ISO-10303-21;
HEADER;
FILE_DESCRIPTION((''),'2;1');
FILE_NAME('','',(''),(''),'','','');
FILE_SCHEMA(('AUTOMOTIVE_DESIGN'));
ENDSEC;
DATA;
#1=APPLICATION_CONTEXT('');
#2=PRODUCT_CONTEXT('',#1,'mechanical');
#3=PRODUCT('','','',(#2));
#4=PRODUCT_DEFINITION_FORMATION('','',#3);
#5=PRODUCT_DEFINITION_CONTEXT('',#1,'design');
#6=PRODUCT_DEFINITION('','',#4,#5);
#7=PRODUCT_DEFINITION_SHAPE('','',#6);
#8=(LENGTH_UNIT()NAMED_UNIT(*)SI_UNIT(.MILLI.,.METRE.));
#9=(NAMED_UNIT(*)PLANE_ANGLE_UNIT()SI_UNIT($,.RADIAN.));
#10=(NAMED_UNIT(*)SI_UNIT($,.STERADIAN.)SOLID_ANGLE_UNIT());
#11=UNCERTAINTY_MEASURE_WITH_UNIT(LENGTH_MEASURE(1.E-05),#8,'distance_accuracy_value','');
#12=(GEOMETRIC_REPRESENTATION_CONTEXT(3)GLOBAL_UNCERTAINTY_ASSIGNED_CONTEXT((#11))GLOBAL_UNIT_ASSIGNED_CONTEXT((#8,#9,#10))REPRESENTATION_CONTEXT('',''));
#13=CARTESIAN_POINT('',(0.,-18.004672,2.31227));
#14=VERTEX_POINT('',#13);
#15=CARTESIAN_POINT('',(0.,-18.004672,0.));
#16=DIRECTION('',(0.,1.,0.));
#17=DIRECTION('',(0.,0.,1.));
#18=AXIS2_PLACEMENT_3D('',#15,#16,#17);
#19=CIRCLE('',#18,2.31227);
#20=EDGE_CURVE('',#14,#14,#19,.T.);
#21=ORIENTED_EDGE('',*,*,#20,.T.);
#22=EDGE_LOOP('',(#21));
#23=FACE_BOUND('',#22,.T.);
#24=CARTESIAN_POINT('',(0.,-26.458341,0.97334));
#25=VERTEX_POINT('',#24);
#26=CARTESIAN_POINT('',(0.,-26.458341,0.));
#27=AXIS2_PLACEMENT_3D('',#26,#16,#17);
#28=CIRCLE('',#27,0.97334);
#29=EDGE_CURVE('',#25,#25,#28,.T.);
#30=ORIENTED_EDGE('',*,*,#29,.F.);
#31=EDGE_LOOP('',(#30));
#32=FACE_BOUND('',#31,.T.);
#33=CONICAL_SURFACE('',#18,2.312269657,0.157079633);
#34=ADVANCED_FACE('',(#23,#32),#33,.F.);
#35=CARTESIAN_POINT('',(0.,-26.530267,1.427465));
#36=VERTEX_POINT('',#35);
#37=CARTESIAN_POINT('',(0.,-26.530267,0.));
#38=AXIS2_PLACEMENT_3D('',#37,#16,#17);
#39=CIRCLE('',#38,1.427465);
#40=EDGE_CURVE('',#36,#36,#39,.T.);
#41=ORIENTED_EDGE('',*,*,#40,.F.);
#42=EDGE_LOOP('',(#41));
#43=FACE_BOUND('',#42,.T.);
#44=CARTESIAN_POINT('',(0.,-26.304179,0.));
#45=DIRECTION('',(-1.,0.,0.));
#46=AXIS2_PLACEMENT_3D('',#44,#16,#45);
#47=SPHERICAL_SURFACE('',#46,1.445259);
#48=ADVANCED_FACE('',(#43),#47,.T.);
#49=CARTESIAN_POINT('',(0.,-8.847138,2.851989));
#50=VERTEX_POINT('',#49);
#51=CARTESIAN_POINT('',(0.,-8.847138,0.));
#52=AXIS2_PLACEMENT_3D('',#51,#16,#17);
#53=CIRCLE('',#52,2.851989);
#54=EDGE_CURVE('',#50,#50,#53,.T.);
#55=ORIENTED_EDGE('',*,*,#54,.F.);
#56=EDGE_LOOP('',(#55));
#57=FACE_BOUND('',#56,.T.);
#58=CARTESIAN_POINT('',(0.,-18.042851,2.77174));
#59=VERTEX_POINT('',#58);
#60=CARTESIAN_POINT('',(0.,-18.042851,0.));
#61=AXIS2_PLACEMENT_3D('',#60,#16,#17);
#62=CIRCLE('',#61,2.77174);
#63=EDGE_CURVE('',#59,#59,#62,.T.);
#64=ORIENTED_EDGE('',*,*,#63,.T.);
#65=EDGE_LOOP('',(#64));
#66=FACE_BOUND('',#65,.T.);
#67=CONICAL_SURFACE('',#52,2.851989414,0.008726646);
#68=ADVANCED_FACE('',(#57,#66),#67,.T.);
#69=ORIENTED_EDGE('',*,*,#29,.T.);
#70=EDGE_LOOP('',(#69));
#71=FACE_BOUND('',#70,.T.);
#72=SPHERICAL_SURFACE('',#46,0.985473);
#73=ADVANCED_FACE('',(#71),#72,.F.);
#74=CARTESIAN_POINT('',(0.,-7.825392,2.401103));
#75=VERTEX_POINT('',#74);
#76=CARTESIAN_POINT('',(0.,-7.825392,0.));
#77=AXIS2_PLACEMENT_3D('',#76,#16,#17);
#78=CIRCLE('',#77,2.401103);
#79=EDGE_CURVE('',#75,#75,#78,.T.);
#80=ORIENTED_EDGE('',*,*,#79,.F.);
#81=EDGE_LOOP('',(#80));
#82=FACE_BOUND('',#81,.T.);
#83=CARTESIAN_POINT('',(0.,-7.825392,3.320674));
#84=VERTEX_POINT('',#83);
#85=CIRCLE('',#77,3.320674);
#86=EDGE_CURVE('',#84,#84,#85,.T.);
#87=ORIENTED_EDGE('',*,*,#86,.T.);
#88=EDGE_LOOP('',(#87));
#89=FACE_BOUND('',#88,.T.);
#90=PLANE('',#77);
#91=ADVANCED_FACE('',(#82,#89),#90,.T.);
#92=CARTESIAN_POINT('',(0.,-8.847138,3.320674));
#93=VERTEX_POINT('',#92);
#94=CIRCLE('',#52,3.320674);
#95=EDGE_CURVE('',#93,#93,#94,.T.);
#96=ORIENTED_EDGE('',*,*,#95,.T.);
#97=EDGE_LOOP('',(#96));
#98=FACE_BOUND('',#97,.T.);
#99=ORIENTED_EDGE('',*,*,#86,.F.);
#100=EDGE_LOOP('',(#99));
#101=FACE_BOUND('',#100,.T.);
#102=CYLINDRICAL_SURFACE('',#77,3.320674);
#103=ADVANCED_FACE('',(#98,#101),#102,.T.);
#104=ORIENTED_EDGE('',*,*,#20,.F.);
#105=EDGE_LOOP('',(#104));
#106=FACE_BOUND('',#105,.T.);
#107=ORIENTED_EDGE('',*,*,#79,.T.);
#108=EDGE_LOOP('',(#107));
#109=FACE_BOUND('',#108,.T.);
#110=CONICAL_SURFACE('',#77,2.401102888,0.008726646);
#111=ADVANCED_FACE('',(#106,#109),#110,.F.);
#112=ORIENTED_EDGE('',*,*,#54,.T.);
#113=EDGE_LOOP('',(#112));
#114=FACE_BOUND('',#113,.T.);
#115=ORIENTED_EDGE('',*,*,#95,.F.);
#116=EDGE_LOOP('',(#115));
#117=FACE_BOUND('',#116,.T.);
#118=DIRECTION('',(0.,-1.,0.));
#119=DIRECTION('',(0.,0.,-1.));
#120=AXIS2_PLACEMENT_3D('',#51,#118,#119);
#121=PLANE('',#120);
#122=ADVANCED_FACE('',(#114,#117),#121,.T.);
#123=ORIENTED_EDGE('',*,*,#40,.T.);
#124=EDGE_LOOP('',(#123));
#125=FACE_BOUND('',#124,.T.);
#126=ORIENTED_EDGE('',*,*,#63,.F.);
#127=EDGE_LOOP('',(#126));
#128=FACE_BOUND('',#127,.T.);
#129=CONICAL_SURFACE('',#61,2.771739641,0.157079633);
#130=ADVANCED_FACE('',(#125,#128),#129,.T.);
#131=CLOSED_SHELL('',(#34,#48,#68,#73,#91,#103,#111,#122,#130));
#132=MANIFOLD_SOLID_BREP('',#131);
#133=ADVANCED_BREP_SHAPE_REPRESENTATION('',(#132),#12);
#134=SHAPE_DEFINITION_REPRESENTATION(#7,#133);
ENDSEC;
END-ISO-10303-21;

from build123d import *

# Parameters (mm, degrees)
BOSS_EXTRUDE4_DEPTH = 2.000034
SCALE1_SCALE        = 0.510872955


with BuildPart() as part:
    # Sketch1 → Revolve25 (revolve)
    with BuildSketch(Plane.XY):
        with BuildLine():
            Line((-4.682614804, -1.992146118), (-4.7, 0))
            Line((-4.7, 0), (-6.5, 0))
            Line((-6.5, 0), (-6.5, -2))
            Line((-6.5, -2), (-5.582580535, -2))
            Line((-5.582580535, -2), (-5.425496915, -20))
            Line((-5.425496915, -20), (-2.794168337, -36.613554791))
            ThreePointArc((-2.794168337, -36.613554791), (-1.837287228, -38.322188957), (0, -39))
            Line((0, -39), (0, -38.1))
            ThreePointArc((0, -38.1), (-1.252783984, -37.637823588), (-1.905248831, -36.472763773))
            Line((-1.905248831, -36.472763773), (-4.526114828, -19.925267112))
            Line((-4.526114828, -19.925267112), (-4.682614804, -1.992146118))
        make_face()
    revolve(axis=Axis((0, 0, 0), (0, -1, 0)))


with BuildPart() as body_2:
    # Sketch1<10> → Revolve31 (revolve)
    with BuildSketch(Plane.XY):
        Polygon((22, 2.999966443), (22, 1.999966443), (26, 1.999966443), (26, -2.000033557), (28.5, -2.000033557), (28.5, 0), (26.7, 0), (26.569018636, 2.999966443), align=None)
    revolve(axis=Axis((22, 17.95552364, 0), (0, -1, 0)))

    # Sketch2 → Boss-Extrude4 (add)
    with BuildSketch(Plane(origin=(0, -2.000033557, 0), x_dir=(-1, 0, 0), z_dir=(0, -1, 0))):
        with BuildLine():
            Line((-22, 4), (-22, 6.5))
            add(Edge.make_bspline(
                [(-22, 6.5), (-30.5, 6.5), (-30.5, 0), (-30.5, -6.5), (-22, -6.5)],
                knots=[1.570796327, 1.570796327, 1.570796327, 3.141592654, 3.141592654, 4.71238898, 4.71238898, 4.71238898], degree=2, weights=[1, 0.707106781, 1, 0.707106781, 1]))
            Line((-22, -6.5), (-22, -4))
            ThreePointArc((-22, -4), (-26, 0), (-22, 4))
        make_face()
    extrude(amount=-BOSS_EXTRUDE4_DEPTH)


with BuildPart() as part_1:
    # Scale1: scaled about (0, -15.998689943, 0)
    add(part.part.scale(SCALE1_SCALE).moved(Location((0, -7.825391937, 0))))


solid = part_1.part
